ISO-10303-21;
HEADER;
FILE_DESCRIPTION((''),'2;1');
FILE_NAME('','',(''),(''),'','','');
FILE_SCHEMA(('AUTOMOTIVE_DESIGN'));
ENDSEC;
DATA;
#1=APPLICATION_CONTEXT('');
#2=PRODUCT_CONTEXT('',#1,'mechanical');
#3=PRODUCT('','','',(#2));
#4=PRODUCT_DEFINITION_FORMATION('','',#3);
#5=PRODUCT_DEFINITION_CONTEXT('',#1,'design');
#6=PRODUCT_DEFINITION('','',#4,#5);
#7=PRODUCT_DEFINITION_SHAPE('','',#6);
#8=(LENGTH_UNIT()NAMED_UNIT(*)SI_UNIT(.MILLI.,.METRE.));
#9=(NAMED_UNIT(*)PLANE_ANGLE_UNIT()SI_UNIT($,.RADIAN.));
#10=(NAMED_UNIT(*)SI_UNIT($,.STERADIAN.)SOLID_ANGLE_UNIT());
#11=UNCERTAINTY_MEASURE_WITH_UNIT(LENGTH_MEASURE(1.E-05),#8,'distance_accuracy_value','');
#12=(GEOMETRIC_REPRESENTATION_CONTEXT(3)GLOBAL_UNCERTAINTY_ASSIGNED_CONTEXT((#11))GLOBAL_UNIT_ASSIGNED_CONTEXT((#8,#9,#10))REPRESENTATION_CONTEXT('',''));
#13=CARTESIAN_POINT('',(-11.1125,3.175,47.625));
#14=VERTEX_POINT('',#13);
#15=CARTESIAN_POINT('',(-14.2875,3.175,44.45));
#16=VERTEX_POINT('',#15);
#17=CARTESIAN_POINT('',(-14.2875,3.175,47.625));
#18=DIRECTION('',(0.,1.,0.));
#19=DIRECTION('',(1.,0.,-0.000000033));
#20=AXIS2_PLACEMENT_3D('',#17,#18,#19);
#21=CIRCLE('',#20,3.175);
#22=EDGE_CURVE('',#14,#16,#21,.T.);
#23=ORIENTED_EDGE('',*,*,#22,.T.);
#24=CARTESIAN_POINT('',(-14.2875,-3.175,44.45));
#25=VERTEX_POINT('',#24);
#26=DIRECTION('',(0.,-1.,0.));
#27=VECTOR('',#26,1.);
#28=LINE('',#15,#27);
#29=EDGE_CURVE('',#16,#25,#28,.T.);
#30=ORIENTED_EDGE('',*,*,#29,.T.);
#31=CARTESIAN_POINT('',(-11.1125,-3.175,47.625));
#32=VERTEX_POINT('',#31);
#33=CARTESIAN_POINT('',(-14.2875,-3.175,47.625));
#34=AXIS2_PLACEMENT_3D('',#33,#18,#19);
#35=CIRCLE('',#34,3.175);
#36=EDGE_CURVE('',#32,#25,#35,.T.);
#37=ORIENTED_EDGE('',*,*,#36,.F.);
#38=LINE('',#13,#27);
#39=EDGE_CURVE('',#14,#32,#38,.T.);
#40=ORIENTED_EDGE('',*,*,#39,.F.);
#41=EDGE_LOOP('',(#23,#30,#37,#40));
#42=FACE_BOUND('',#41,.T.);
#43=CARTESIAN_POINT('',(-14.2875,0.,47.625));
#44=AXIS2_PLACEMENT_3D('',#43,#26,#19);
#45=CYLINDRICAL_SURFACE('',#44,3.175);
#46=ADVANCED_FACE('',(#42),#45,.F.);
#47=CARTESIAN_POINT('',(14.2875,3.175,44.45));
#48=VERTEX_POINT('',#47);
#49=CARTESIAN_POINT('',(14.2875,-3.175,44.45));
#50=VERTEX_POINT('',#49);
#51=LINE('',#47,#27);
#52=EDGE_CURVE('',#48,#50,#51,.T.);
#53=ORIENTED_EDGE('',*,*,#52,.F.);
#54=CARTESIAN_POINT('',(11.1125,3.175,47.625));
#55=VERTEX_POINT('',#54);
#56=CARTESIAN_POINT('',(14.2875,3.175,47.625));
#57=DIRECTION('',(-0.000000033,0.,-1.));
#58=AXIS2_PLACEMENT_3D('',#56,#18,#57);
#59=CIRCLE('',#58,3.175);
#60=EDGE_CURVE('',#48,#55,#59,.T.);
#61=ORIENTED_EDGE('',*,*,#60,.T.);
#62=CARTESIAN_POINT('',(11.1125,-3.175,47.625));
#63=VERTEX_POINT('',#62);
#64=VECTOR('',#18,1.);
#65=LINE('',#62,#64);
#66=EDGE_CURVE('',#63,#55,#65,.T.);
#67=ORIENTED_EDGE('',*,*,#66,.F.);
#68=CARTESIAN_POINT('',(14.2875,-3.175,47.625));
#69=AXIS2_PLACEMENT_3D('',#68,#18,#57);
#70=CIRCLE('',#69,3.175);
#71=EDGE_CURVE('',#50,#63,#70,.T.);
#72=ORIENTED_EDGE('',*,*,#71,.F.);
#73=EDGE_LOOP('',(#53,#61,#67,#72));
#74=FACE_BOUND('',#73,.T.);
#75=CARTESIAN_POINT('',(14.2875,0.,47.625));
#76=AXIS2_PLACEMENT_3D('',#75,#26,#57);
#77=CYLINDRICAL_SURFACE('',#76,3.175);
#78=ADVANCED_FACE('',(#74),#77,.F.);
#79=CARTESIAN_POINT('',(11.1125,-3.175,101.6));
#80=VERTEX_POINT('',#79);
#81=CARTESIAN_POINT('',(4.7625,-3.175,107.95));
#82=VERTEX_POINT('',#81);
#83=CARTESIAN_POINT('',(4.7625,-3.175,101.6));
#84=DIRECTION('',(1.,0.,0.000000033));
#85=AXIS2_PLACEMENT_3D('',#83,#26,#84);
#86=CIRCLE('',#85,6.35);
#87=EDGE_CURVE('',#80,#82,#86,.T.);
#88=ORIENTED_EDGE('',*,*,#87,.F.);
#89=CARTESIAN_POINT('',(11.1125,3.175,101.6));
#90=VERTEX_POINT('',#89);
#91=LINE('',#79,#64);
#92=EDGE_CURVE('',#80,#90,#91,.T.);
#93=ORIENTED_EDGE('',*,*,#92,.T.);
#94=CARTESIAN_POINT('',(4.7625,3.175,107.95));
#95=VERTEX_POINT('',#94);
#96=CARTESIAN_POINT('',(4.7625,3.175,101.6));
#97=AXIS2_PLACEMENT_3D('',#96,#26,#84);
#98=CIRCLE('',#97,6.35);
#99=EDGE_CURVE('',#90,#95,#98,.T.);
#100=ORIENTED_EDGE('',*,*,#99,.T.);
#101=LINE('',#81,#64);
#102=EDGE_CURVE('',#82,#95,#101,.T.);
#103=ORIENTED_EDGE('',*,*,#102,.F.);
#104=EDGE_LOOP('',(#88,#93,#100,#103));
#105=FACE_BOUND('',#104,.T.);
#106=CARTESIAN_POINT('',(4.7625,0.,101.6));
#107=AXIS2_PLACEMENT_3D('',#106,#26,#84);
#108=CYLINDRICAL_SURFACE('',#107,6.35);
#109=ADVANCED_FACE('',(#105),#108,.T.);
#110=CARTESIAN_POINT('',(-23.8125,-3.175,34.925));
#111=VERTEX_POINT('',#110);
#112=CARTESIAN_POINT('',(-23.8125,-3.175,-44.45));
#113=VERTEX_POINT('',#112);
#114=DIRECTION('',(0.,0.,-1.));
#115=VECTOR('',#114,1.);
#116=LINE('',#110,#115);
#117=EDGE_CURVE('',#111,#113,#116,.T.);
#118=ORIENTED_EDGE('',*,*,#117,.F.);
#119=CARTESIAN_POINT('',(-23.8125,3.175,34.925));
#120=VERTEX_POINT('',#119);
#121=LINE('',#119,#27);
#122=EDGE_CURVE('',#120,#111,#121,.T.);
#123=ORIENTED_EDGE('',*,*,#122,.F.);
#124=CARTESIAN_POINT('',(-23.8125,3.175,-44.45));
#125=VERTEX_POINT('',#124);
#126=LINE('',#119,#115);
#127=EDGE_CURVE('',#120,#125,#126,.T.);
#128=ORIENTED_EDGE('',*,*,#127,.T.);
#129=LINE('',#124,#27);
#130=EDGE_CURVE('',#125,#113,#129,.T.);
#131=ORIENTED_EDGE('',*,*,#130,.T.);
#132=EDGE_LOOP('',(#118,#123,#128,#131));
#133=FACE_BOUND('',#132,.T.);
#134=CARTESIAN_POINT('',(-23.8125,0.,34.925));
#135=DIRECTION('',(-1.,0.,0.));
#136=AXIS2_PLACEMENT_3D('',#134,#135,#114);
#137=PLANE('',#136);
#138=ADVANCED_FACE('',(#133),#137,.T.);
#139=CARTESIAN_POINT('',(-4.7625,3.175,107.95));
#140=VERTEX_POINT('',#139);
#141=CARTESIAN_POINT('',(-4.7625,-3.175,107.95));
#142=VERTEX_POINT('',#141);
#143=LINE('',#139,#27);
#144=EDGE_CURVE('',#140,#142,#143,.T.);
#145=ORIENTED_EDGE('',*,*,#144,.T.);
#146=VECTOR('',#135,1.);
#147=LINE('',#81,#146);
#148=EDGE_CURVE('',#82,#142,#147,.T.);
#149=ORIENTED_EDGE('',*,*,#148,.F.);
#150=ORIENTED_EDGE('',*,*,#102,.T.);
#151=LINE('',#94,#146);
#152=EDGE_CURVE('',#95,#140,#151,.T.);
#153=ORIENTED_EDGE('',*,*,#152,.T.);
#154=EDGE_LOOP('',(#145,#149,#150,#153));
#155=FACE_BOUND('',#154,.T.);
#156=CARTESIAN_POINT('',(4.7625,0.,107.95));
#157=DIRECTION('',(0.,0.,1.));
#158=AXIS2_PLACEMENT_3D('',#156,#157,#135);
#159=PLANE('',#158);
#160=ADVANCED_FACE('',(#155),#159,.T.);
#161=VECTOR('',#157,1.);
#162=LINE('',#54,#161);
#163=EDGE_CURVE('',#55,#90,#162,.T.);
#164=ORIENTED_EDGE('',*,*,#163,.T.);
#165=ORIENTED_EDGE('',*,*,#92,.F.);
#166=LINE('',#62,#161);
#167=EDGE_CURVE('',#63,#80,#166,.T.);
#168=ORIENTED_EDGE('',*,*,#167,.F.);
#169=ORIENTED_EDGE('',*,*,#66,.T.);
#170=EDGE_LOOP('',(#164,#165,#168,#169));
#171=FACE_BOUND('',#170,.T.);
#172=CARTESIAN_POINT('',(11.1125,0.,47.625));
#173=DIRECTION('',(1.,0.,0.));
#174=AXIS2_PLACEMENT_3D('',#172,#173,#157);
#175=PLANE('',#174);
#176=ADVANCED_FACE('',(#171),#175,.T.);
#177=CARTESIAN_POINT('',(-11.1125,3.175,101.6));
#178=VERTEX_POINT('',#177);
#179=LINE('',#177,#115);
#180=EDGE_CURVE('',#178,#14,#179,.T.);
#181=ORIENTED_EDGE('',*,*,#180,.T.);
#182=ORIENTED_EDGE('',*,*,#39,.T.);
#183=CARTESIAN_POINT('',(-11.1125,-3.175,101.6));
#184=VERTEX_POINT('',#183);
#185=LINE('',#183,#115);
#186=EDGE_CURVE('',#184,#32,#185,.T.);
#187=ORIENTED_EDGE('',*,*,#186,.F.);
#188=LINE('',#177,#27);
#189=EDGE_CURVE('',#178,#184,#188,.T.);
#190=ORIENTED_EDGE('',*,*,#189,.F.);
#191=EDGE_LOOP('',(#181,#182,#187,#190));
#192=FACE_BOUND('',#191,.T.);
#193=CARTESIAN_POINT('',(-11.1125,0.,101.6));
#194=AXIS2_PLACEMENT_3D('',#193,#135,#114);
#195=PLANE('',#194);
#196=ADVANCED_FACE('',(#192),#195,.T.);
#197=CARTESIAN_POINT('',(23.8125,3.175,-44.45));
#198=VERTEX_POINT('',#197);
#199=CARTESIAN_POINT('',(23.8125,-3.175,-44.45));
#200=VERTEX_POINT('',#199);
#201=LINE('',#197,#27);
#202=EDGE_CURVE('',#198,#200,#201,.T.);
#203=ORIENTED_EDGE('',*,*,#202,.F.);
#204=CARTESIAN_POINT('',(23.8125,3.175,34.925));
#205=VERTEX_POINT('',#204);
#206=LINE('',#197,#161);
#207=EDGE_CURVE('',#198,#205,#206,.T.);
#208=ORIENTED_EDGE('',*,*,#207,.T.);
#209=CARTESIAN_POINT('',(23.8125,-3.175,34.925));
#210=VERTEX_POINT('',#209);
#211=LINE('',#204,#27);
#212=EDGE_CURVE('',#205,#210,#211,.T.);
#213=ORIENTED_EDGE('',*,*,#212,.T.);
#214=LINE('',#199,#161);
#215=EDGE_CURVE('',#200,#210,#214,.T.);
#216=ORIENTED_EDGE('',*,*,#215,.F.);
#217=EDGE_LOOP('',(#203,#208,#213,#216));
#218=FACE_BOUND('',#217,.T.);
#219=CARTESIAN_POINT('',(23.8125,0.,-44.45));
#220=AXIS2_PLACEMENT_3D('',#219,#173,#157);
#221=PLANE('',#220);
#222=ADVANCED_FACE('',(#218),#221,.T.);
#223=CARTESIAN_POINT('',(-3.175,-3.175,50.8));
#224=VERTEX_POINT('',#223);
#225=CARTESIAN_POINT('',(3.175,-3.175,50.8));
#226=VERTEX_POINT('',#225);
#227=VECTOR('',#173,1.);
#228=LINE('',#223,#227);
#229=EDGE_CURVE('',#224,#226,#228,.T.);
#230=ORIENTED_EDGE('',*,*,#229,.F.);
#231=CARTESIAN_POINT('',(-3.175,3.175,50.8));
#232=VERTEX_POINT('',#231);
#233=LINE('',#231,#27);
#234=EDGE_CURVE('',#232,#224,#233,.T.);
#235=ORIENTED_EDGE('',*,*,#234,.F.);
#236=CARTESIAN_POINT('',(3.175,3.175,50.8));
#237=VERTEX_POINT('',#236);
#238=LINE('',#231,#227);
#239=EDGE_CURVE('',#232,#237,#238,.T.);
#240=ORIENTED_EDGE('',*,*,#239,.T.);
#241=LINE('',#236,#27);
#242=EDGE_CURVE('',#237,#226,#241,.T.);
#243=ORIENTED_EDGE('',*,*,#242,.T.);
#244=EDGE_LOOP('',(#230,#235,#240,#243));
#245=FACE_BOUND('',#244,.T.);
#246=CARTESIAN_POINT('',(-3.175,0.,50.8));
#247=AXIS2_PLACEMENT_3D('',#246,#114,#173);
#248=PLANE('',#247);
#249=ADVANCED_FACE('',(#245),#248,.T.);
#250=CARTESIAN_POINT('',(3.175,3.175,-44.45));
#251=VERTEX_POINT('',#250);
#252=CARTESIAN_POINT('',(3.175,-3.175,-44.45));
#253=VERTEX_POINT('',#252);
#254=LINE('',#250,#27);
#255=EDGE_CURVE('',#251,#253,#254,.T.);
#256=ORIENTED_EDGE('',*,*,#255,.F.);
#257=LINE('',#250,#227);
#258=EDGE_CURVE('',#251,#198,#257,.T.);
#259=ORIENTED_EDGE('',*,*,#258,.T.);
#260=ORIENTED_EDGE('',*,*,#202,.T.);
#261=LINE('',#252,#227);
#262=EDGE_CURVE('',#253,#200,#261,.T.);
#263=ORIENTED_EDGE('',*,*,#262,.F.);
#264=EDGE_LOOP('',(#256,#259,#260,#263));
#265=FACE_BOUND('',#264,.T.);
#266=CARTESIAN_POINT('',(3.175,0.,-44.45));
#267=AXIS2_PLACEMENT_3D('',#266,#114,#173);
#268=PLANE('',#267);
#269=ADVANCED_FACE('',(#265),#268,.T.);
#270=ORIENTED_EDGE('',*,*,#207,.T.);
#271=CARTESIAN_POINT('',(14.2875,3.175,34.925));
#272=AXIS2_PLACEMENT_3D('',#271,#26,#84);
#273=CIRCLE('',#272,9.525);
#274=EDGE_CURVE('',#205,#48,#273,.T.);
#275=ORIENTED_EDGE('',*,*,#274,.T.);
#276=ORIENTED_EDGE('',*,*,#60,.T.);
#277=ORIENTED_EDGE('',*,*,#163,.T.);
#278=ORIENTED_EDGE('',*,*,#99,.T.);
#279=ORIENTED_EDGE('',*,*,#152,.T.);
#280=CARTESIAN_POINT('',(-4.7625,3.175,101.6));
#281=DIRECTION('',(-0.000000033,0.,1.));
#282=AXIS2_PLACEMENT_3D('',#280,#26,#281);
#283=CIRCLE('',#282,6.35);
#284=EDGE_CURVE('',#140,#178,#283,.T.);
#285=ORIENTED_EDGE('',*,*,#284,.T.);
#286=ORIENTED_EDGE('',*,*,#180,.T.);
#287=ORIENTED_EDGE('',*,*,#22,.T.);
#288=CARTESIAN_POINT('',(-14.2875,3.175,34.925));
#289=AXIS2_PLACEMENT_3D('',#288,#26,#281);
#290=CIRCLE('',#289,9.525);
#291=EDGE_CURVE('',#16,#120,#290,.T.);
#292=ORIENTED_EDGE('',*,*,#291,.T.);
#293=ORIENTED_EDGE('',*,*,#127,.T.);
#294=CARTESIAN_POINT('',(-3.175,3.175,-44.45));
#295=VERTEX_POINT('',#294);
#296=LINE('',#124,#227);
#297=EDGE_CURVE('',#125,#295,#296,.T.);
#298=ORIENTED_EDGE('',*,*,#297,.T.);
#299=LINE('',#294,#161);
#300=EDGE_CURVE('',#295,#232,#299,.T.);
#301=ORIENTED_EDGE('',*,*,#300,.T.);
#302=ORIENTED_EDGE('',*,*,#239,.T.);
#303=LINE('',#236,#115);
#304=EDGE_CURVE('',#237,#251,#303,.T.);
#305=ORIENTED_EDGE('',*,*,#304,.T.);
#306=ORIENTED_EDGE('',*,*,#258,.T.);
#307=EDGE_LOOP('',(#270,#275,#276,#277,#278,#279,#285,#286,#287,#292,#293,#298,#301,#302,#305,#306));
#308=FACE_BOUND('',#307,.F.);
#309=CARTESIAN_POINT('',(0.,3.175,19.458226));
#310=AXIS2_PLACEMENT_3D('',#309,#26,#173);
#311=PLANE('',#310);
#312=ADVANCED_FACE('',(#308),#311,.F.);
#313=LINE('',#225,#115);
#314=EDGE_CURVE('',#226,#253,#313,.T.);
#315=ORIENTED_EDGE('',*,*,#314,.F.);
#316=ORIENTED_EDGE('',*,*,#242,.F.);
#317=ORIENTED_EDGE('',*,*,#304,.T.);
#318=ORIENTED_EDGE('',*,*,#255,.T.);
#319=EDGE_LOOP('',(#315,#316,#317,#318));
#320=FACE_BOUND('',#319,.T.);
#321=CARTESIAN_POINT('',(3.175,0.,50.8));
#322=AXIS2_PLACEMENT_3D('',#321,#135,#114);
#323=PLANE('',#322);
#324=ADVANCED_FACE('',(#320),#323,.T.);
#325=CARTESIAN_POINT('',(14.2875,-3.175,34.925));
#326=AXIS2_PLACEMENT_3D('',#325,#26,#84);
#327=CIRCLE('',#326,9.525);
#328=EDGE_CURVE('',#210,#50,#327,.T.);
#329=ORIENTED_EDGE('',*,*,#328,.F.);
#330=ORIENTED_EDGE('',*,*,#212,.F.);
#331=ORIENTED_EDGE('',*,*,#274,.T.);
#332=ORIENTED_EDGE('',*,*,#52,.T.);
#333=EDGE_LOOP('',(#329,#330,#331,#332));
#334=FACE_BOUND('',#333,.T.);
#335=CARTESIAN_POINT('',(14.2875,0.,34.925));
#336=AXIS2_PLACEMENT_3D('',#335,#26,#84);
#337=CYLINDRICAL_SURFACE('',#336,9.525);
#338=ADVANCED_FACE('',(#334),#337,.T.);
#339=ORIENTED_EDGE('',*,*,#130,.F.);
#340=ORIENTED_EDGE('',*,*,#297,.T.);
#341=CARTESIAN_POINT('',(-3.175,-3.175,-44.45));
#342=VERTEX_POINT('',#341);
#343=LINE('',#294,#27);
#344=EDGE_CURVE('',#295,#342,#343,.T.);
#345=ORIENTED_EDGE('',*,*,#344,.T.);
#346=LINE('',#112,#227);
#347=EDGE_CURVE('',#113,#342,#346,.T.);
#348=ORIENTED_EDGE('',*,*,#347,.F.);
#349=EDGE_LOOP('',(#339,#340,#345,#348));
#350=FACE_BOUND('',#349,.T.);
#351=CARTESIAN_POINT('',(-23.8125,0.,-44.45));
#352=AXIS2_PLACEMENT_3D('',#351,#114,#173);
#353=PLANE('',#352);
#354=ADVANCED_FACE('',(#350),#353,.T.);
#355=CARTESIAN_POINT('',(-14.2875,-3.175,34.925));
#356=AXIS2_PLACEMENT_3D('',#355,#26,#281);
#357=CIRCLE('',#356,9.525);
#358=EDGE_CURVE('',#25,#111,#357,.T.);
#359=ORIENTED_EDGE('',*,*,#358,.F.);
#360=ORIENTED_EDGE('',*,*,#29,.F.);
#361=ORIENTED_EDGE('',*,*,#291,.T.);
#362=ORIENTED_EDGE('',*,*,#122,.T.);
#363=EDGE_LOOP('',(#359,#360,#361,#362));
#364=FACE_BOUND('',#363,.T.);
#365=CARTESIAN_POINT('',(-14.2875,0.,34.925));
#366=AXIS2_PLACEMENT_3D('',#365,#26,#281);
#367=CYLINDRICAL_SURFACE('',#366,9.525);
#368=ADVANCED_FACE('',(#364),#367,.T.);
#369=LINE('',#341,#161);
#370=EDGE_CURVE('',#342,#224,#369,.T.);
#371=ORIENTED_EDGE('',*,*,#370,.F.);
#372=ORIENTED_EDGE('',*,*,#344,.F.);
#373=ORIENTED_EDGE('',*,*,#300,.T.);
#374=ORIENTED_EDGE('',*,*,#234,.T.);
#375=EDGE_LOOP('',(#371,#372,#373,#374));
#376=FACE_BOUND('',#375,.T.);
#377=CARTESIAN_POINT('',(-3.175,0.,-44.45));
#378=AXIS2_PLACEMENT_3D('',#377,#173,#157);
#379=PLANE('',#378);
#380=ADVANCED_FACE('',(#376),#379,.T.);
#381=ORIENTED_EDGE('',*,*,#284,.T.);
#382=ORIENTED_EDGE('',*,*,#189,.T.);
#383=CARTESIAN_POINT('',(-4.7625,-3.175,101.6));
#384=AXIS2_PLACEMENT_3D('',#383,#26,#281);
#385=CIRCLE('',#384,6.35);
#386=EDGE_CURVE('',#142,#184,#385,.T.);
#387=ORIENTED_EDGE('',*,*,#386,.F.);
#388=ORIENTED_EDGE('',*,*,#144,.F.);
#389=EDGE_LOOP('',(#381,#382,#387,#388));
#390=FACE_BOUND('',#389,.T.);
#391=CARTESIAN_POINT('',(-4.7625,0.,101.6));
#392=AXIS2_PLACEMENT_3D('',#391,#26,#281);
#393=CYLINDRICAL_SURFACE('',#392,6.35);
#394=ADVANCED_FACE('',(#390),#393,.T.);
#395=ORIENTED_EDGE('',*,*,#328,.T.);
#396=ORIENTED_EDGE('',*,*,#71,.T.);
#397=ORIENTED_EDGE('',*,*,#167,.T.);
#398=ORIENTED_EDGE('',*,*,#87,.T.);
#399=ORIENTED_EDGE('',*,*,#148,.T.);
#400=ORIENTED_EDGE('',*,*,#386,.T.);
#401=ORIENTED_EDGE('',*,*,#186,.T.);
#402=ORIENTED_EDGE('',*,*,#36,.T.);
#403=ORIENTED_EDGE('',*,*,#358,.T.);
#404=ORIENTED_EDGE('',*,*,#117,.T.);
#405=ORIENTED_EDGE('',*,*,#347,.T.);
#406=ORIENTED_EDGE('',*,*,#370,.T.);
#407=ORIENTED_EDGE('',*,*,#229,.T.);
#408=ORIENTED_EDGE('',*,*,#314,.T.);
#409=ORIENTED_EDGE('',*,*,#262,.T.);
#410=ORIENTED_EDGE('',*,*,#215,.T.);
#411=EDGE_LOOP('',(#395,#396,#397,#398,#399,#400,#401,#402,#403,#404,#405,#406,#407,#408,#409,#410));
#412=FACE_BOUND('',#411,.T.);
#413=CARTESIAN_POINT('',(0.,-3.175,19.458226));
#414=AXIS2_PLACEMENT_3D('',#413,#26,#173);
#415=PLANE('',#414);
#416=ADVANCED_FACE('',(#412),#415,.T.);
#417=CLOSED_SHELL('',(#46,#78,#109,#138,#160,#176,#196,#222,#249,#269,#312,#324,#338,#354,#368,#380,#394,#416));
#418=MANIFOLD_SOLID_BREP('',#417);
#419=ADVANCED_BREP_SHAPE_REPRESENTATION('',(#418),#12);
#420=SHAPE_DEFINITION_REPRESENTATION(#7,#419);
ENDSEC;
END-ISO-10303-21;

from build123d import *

# Parameters (mm, degrees)
F1_DEPTH = 3.175


with BuildPart() as f1:
    # F0 (on Front) → F1 (new body, symmetric)
    with BuildSketch(Plane.XZ):
        with BuildLine():
            Line((4.7625, 107.95), (-4.7625, 107.95))
            ThreePointArc((-4.7625, 107.95), (-9.252628, 106.090128), (-11.1125, 101.6))
            Line((-11.1125, 101.6), (-11.1125, 47.625))
            ThreePointArc((-11.1125, 47.625), (-12.042436, 45.379936), (-14.2875, 44.45))
            ThreePointArc((-14.2875, 44.45), (-21.022692, 41.660192), (-23.8125, 34.925))
            Line((-23.8125, 34.925), (-23.8125, -44.45))
            Line((-23.8125, -44.45), (-3.175, -44.45))
            Line((-3.175, -44.45), (-3.175, 50.8))
            Line((-3.175, 50.8), (3.175, 50.8))
            Line((3.175, 50.8), (3.175, -44.45))
            Line((3.175, -44.45), (23.8125, -44.45))
            Line((23.8125, -44.45), (23.8125, 34.925))
            ThreePointArc((23.8125, 34.925), (21.022692, 41.660192), (14.2875, 44.45))
            ThreePointArc((14.2875, 44.45), (12.042436, 45.379936), (11.1125, 47.625))
            Line((11.1125, 47.625), (11.1125, 101.6))
            ThreePointArc((11.1125, 101.6), (9.252628, 106.090128), (4.7625, 107.95))
        make_face()
    extrude(amount=F1_DEPTH, both=True)


solid = f1.part
